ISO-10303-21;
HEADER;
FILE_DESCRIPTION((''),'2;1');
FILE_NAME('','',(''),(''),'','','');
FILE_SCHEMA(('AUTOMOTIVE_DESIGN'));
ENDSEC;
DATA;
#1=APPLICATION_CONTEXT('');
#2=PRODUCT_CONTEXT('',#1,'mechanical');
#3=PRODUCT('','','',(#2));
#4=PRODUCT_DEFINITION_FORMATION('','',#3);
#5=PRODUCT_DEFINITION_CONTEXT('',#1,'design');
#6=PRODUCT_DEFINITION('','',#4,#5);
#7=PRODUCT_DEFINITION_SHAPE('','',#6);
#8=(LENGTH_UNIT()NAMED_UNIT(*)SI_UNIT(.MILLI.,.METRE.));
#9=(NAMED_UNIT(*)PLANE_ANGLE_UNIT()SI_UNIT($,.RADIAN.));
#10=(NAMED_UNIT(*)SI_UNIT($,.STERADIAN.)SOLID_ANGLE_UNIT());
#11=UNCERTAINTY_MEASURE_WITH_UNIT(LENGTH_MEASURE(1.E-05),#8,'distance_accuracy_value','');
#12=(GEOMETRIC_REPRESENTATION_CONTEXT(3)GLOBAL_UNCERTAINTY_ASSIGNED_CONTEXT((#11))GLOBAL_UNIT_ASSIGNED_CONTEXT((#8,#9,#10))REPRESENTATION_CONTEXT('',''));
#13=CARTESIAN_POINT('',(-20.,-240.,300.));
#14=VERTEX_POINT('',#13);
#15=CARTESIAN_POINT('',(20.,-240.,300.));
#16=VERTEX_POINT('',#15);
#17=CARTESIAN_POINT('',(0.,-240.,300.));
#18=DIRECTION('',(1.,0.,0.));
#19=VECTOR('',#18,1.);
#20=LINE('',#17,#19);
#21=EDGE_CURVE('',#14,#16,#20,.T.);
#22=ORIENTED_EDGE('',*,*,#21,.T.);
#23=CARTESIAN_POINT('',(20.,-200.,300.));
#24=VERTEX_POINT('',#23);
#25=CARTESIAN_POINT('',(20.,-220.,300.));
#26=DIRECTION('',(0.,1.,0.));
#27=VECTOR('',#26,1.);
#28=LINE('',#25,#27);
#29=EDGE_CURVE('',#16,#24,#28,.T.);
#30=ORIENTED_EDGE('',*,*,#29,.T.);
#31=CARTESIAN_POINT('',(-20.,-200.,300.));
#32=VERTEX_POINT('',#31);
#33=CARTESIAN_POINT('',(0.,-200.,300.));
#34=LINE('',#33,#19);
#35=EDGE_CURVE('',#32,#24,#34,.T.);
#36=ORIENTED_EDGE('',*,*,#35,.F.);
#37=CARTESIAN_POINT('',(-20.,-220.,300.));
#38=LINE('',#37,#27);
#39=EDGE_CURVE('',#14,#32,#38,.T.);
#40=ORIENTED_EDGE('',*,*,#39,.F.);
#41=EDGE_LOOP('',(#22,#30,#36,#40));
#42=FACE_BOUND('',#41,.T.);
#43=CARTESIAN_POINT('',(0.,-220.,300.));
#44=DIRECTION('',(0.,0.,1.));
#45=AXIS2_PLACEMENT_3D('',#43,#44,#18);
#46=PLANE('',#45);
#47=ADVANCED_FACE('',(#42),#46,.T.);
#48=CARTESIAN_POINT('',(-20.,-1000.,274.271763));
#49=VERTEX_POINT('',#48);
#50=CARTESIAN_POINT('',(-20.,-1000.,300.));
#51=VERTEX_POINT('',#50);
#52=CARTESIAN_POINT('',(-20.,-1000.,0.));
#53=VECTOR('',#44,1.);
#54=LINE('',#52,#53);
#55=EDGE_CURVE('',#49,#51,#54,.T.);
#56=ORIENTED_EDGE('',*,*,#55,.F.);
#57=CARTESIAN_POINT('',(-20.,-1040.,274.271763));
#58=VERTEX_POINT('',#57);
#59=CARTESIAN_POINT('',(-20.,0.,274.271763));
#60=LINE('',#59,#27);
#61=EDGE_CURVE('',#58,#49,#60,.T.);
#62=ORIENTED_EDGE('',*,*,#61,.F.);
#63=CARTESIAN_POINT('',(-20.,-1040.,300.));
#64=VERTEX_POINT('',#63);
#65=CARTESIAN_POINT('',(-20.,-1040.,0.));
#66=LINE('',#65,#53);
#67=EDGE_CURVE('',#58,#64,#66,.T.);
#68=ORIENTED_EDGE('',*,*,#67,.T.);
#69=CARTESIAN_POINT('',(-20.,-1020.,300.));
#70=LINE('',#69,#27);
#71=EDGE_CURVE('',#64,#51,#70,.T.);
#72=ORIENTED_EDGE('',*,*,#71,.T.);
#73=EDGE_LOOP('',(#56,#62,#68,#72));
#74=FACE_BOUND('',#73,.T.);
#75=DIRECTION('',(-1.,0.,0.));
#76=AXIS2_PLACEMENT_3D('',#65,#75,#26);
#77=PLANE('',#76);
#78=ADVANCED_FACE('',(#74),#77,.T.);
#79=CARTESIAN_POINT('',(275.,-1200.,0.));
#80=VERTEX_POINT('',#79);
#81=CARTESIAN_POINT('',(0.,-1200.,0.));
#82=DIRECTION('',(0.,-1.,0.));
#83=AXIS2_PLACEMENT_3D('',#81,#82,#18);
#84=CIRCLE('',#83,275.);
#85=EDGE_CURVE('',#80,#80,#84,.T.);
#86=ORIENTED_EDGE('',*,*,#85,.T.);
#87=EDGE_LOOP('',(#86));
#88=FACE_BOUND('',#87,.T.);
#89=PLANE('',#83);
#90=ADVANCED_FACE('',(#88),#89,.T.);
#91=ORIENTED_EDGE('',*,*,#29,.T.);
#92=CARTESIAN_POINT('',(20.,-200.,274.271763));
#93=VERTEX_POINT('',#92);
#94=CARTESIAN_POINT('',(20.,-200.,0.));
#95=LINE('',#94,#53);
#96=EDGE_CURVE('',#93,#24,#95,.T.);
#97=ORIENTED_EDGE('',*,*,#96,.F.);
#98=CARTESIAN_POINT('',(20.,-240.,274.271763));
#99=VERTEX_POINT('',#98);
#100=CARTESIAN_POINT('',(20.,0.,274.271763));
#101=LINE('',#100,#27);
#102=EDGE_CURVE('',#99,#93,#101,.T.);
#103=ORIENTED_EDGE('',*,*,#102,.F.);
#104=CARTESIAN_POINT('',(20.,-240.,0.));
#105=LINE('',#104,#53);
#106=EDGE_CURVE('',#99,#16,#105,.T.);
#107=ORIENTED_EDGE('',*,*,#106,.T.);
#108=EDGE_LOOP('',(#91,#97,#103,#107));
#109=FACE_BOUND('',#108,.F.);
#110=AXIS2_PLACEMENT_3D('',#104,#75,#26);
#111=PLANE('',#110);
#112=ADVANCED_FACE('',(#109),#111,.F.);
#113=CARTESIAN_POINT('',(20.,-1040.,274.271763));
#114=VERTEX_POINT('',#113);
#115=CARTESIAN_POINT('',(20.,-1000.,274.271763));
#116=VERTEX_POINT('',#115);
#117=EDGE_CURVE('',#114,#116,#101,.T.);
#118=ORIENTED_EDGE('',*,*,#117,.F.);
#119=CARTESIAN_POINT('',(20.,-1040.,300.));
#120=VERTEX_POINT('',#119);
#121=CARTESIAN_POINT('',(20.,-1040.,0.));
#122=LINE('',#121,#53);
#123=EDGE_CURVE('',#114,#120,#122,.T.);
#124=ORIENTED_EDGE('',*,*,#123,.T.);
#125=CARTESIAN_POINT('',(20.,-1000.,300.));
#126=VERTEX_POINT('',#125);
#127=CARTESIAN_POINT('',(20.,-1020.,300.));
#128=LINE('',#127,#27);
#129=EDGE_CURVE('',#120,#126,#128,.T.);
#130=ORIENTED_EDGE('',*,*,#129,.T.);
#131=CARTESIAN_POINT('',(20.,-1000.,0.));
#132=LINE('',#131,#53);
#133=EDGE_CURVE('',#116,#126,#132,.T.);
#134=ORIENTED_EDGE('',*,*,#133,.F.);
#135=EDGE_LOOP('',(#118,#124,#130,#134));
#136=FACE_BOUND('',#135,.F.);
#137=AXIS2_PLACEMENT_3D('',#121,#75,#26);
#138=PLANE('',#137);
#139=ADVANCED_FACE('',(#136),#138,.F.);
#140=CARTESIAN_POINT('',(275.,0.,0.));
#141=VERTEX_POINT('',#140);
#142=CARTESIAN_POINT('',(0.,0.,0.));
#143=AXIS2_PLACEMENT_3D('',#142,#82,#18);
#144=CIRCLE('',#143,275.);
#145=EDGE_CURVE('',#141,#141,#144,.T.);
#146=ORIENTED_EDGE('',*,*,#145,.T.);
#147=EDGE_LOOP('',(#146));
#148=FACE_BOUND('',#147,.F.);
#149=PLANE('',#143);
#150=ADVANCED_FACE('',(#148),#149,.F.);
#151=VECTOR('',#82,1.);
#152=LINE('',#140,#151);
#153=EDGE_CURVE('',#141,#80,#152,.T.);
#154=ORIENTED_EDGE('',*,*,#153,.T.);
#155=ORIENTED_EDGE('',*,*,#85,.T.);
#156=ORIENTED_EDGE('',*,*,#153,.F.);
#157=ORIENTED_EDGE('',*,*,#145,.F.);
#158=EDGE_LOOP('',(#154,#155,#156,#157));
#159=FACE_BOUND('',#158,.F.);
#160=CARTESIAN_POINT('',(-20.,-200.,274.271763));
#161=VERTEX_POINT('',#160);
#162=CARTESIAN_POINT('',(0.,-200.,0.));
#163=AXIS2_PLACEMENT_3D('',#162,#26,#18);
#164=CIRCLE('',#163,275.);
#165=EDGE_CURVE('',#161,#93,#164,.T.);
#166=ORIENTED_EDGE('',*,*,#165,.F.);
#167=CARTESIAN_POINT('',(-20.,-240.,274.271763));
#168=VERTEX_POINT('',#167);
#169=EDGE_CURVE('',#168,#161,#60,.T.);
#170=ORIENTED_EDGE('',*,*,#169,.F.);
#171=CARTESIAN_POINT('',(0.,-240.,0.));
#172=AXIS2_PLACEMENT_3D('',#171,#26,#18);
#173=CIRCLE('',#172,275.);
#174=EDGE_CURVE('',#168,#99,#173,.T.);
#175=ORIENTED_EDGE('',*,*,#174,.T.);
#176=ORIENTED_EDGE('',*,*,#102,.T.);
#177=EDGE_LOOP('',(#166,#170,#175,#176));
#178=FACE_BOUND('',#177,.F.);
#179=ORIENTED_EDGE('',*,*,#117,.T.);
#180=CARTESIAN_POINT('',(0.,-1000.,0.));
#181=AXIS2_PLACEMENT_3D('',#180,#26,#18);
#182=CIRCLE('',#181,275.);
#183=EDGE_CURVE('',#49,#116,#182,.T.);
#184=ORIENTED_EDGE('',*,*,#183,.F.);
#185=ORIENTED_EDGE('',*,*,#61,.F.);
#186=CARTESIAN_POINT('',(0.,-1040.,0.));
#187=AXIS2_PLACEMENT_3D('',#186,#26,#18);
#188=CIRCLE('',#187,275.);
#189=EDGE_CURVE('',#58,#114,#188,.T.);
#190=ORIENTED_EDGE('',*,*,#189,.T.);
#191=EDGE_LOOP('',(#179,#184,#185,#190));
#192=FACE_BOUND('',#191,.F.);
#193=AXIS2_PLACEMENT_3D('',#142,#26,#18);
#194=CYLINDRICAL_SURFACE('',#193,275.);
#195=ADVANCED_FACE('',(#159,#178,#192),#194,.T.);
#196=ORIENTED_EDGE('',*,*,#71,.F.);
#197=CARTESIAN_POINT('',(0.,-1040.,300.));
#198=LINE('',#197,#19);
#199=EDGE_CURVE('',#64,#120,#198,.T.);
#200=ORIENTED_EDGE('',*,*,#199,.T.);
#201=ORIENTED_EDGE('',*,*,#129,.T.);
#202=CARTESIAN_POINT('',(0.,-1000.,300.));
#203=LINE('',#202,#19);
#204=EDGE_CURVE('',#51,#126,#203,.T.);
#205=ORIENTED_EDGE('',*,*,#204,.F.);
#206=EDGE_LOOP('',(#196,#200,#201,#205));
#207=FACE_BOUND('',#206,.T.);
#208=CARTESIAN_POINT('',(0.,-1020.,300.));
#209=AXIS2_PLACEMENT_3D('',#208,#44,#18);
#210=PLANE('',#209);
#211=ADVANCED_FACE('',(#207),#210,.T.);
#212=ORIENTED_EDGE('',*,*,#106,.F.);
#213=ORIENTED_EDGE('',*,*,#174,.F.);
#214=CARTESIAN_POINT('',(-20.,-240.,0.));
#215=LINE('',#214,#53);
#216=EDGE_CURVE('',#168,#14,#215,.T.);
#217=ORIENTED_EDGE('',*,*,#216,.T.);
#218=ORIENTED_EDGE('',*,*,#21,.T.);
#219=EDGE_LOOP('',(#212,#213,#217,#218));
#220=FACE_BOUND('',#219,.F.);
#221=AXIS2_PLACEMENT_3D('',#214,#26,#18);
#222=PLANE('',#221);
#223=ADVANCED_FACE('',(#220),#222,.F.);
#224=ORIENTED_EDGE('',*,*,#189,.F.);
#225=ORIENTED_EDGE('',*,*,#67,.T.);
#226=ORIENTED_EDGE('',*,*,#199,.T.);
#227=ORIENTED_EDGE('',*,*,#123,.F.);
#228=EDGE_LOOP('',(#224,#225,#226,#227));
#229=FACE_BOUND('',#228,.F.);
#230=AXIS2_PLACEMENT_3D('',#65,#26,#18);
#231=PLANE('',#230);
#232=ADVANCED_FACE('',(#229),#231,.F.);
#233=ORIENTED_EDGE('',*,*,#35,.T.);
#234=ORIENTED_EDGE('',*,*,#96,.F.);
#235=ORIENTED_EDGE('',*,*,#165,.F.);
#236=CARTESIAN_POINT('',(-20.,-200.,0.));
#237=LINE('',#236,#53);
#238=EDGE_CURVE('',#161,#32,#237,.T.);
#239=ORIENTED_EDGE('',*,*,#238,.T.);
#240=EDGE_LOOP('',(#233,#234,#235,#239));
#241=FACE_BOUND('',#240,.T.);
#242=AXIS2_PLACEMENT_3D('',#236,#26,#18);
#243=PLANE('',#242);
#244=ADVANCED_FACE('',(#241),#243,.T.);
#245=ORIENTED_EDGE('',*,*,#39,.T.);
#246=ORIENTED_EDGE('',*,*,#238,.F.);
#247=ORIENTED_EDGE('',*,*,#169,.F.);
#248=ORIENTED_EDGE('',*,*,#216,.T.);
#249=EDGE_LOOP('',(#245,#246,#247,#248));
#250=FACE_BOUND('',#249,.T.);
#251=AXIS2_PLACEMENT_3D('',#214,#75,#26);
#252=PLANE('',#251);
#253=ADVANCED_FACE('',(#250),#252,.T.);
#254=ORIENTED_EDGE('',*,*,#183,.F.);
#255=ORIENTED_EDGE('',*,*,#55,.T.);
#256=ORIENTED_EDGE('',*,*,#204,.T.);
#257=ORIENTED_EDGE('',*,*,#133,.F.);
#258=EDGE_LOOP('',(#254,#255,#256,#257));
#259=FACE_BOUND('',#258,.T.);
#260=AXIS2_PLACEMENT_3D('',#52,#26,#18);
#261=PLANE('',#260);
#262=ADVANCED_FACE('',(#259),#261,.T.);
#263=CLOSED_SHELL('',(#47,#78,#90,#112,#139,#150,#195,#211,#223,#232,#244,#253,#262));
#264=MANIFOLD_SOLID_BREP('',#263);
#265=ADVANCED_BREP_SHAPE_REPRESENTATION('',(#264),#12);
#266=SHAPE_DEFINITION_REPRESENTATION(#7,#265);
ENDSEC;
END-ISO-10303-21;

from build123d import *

# Parameters (mm, degrees)
F0_R     = 275
F1_DEPTH = 1200
F2_W     = 40
F2_H     = 40
F3_DEPTH = 300


with BuildPart() as f1:
    # F0 (on Front) → F1 (new body)
    with BuildSketch(Plane.XZ):
        Circle(F0_R)
    extrude(amount=F1_DEPTH)

    # F2 (on Top) → F3 (join)
    with BuildSketch(Plane.XY):
        with Locations((0, -220)):
            Rectangle(F2_W, F2_H)
        with Locations((0, -1020)):
            Rectangle(F2_W, F2_H)
    extrude(amount=F3_DEPTH)


solid = f1.part
